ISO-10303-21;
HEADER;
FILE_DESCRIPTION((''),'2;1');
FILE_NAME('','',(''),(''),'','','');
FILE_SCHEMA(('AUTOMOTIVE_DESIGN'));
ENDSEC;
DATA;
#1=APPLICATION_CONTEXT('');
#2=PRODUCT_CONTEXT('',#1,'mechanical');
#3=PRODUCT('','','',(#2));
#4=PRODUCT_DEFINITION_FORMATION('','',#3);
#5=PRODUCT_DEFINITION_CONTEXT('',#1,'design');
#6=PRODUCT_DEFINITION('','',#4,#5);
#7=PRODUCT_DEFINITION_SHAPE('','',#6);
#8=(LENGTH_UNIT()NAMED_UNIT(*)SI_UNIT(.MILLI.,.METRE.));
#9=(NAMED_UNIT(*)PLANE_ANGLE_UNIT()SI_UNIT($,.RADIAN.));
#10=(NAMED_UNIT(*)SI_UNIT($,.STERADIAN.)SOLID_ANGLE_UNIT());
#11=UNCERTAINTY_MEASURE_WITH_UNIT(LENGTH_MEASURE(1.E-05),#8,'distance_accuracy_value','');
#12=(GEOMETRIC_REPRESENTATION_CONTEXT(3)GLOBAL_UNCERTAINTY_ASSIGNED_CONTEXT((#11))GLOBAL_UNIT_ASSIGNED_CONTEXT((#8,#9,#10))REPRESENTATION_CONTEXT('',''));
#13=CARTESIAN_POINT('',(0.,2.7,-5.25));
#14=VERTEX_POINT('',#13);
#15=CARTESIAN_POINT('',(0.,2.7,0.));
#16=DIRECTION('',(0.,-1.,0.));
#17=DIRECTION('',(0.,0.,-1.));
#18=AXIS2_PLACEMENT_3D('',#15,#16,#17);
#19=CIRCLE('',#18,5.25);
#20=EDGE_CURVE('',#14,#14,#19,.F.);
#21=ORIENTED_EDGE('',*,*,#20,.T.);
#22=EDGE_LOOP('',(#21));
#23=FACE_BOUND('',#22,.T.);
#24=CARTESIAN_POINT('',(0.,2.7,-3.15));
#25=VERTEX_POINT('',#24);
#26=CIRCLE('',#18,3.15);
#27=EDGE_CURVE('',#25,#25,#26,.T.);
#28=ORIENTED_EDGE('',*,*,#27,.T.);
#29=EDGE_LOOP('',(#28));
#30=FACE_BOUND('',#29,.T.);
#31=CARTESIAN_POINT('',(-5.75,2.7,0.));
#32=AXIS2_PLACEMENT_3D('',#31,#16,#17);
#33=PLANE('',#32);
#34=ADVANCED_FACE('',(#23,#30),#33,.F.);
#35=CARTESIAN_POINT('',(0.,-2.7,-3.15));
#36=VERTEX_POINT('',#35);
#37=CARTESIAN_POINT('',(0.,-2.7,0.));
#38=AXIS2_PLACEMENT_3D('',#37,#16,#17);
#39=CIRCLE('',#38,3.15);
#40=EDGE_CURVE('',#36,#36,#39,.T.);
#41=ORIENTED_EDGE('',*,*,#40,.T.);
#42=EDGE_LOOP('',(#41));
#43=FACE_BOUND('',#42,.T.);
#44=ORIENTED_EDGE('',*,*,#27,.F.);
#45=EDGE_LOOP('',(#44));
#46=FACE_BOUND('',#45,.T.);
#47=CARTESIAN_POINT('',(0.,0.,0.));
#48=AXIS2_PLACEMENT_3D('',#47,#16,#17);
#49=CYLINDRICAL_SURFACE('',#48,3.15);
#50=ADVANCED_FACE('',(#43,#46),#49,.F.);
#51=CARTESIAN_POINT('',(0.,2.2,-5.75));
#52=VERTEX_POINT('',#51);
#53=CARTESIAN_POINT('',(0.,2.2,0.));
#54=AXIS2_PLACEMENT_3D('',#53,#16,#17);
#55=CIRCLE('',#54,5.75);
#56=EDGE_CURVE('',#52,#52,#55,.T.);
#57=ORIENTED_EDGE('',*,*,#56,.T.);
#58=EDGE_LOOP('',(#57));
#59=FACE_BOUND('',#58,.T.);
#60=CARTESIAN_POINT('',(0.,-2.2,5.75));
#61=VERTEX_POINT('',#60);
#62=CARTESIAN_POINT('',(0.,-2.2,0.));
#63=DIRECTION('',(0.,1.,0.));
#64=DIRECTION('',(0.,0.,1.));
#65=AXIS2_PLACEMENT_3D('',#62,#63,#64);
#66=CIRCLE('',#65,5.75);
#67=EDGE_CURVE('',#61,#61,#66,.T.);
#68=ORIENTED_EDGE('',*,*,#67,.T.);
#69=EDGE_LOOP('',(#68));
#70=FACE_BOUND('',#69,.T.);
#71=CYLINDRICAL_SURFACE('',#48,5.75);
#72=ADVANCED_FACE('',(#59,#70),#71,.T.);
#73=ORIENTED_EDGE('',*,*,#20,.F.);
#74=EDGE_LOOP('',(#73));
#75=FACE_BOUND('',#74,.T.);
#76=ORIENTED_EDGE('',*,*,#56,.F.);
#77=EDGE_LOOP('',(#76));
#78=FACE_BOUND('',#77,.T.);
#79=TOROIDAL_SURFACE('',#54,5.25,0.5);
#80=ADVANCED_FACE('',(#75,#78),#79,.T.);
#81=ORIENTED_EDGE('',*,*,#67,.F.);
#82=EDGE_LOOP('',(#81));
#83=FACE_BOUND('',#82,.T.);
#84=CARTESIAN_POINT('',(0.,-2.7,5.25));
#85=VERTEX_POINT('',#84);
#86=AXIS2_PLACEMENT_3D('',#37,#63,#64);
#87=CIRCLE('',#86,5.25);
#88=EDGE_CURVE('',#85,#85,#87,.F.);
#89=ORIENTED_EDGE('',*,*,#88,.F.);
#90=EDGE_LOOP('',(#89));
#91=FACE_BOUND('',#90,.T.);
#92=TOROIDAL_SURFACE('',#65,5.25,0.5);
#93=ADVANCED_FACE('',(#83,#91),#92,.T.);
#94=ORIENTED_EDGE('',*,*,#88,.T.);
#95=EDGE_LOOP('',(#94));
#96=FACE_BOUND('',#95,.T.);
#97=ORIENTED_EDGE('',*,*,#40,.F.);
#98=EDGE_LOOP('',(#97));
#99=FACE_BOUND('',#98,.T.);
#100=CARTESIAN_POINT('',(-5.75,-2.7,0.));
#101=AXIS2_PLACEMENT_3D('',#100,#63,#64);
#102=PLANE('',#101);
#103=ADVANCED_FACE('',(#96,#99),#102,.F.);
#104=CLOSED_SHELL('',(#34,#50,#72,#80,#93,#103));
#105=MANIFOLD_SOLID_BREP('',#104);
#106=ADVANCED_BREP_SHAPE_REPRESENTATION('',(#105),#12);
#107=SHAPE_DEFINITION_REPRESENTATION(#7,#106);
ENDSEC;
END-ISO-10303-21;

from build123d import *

# Parameters (mm, degrees)
SKETCH1_W = 2.6
SKETCH1_H = 5.4
FILLET1_R = 0.5


with BuildPart() as part:
    # Sketch1 → Revolve1 (revolve)
    with BuildSketch(Plane.XY, mode=Mode.PRIVATE) as revolve1_sk:
        with Locations((-4.45, 0)):
            Rectangle(SKETCH1_W, SKETCH1_H)
    revolve(revolve1_sk.sketch.rotate(Axis((0, 0, 0), (0, 1, 0)), 270), axis=Axis((0, 0, 0), (0, 1, 0)))

    # Fillet1
    fillet1_edges = [part.edges().sort_by_distance(p)[0] for p in [
        (0, 2.7, 5.75),
        (0, -2.7, 5.75),
    ]]
    fillet(fillet1_edges, radius=FILLET1_R)


solid = part.part
